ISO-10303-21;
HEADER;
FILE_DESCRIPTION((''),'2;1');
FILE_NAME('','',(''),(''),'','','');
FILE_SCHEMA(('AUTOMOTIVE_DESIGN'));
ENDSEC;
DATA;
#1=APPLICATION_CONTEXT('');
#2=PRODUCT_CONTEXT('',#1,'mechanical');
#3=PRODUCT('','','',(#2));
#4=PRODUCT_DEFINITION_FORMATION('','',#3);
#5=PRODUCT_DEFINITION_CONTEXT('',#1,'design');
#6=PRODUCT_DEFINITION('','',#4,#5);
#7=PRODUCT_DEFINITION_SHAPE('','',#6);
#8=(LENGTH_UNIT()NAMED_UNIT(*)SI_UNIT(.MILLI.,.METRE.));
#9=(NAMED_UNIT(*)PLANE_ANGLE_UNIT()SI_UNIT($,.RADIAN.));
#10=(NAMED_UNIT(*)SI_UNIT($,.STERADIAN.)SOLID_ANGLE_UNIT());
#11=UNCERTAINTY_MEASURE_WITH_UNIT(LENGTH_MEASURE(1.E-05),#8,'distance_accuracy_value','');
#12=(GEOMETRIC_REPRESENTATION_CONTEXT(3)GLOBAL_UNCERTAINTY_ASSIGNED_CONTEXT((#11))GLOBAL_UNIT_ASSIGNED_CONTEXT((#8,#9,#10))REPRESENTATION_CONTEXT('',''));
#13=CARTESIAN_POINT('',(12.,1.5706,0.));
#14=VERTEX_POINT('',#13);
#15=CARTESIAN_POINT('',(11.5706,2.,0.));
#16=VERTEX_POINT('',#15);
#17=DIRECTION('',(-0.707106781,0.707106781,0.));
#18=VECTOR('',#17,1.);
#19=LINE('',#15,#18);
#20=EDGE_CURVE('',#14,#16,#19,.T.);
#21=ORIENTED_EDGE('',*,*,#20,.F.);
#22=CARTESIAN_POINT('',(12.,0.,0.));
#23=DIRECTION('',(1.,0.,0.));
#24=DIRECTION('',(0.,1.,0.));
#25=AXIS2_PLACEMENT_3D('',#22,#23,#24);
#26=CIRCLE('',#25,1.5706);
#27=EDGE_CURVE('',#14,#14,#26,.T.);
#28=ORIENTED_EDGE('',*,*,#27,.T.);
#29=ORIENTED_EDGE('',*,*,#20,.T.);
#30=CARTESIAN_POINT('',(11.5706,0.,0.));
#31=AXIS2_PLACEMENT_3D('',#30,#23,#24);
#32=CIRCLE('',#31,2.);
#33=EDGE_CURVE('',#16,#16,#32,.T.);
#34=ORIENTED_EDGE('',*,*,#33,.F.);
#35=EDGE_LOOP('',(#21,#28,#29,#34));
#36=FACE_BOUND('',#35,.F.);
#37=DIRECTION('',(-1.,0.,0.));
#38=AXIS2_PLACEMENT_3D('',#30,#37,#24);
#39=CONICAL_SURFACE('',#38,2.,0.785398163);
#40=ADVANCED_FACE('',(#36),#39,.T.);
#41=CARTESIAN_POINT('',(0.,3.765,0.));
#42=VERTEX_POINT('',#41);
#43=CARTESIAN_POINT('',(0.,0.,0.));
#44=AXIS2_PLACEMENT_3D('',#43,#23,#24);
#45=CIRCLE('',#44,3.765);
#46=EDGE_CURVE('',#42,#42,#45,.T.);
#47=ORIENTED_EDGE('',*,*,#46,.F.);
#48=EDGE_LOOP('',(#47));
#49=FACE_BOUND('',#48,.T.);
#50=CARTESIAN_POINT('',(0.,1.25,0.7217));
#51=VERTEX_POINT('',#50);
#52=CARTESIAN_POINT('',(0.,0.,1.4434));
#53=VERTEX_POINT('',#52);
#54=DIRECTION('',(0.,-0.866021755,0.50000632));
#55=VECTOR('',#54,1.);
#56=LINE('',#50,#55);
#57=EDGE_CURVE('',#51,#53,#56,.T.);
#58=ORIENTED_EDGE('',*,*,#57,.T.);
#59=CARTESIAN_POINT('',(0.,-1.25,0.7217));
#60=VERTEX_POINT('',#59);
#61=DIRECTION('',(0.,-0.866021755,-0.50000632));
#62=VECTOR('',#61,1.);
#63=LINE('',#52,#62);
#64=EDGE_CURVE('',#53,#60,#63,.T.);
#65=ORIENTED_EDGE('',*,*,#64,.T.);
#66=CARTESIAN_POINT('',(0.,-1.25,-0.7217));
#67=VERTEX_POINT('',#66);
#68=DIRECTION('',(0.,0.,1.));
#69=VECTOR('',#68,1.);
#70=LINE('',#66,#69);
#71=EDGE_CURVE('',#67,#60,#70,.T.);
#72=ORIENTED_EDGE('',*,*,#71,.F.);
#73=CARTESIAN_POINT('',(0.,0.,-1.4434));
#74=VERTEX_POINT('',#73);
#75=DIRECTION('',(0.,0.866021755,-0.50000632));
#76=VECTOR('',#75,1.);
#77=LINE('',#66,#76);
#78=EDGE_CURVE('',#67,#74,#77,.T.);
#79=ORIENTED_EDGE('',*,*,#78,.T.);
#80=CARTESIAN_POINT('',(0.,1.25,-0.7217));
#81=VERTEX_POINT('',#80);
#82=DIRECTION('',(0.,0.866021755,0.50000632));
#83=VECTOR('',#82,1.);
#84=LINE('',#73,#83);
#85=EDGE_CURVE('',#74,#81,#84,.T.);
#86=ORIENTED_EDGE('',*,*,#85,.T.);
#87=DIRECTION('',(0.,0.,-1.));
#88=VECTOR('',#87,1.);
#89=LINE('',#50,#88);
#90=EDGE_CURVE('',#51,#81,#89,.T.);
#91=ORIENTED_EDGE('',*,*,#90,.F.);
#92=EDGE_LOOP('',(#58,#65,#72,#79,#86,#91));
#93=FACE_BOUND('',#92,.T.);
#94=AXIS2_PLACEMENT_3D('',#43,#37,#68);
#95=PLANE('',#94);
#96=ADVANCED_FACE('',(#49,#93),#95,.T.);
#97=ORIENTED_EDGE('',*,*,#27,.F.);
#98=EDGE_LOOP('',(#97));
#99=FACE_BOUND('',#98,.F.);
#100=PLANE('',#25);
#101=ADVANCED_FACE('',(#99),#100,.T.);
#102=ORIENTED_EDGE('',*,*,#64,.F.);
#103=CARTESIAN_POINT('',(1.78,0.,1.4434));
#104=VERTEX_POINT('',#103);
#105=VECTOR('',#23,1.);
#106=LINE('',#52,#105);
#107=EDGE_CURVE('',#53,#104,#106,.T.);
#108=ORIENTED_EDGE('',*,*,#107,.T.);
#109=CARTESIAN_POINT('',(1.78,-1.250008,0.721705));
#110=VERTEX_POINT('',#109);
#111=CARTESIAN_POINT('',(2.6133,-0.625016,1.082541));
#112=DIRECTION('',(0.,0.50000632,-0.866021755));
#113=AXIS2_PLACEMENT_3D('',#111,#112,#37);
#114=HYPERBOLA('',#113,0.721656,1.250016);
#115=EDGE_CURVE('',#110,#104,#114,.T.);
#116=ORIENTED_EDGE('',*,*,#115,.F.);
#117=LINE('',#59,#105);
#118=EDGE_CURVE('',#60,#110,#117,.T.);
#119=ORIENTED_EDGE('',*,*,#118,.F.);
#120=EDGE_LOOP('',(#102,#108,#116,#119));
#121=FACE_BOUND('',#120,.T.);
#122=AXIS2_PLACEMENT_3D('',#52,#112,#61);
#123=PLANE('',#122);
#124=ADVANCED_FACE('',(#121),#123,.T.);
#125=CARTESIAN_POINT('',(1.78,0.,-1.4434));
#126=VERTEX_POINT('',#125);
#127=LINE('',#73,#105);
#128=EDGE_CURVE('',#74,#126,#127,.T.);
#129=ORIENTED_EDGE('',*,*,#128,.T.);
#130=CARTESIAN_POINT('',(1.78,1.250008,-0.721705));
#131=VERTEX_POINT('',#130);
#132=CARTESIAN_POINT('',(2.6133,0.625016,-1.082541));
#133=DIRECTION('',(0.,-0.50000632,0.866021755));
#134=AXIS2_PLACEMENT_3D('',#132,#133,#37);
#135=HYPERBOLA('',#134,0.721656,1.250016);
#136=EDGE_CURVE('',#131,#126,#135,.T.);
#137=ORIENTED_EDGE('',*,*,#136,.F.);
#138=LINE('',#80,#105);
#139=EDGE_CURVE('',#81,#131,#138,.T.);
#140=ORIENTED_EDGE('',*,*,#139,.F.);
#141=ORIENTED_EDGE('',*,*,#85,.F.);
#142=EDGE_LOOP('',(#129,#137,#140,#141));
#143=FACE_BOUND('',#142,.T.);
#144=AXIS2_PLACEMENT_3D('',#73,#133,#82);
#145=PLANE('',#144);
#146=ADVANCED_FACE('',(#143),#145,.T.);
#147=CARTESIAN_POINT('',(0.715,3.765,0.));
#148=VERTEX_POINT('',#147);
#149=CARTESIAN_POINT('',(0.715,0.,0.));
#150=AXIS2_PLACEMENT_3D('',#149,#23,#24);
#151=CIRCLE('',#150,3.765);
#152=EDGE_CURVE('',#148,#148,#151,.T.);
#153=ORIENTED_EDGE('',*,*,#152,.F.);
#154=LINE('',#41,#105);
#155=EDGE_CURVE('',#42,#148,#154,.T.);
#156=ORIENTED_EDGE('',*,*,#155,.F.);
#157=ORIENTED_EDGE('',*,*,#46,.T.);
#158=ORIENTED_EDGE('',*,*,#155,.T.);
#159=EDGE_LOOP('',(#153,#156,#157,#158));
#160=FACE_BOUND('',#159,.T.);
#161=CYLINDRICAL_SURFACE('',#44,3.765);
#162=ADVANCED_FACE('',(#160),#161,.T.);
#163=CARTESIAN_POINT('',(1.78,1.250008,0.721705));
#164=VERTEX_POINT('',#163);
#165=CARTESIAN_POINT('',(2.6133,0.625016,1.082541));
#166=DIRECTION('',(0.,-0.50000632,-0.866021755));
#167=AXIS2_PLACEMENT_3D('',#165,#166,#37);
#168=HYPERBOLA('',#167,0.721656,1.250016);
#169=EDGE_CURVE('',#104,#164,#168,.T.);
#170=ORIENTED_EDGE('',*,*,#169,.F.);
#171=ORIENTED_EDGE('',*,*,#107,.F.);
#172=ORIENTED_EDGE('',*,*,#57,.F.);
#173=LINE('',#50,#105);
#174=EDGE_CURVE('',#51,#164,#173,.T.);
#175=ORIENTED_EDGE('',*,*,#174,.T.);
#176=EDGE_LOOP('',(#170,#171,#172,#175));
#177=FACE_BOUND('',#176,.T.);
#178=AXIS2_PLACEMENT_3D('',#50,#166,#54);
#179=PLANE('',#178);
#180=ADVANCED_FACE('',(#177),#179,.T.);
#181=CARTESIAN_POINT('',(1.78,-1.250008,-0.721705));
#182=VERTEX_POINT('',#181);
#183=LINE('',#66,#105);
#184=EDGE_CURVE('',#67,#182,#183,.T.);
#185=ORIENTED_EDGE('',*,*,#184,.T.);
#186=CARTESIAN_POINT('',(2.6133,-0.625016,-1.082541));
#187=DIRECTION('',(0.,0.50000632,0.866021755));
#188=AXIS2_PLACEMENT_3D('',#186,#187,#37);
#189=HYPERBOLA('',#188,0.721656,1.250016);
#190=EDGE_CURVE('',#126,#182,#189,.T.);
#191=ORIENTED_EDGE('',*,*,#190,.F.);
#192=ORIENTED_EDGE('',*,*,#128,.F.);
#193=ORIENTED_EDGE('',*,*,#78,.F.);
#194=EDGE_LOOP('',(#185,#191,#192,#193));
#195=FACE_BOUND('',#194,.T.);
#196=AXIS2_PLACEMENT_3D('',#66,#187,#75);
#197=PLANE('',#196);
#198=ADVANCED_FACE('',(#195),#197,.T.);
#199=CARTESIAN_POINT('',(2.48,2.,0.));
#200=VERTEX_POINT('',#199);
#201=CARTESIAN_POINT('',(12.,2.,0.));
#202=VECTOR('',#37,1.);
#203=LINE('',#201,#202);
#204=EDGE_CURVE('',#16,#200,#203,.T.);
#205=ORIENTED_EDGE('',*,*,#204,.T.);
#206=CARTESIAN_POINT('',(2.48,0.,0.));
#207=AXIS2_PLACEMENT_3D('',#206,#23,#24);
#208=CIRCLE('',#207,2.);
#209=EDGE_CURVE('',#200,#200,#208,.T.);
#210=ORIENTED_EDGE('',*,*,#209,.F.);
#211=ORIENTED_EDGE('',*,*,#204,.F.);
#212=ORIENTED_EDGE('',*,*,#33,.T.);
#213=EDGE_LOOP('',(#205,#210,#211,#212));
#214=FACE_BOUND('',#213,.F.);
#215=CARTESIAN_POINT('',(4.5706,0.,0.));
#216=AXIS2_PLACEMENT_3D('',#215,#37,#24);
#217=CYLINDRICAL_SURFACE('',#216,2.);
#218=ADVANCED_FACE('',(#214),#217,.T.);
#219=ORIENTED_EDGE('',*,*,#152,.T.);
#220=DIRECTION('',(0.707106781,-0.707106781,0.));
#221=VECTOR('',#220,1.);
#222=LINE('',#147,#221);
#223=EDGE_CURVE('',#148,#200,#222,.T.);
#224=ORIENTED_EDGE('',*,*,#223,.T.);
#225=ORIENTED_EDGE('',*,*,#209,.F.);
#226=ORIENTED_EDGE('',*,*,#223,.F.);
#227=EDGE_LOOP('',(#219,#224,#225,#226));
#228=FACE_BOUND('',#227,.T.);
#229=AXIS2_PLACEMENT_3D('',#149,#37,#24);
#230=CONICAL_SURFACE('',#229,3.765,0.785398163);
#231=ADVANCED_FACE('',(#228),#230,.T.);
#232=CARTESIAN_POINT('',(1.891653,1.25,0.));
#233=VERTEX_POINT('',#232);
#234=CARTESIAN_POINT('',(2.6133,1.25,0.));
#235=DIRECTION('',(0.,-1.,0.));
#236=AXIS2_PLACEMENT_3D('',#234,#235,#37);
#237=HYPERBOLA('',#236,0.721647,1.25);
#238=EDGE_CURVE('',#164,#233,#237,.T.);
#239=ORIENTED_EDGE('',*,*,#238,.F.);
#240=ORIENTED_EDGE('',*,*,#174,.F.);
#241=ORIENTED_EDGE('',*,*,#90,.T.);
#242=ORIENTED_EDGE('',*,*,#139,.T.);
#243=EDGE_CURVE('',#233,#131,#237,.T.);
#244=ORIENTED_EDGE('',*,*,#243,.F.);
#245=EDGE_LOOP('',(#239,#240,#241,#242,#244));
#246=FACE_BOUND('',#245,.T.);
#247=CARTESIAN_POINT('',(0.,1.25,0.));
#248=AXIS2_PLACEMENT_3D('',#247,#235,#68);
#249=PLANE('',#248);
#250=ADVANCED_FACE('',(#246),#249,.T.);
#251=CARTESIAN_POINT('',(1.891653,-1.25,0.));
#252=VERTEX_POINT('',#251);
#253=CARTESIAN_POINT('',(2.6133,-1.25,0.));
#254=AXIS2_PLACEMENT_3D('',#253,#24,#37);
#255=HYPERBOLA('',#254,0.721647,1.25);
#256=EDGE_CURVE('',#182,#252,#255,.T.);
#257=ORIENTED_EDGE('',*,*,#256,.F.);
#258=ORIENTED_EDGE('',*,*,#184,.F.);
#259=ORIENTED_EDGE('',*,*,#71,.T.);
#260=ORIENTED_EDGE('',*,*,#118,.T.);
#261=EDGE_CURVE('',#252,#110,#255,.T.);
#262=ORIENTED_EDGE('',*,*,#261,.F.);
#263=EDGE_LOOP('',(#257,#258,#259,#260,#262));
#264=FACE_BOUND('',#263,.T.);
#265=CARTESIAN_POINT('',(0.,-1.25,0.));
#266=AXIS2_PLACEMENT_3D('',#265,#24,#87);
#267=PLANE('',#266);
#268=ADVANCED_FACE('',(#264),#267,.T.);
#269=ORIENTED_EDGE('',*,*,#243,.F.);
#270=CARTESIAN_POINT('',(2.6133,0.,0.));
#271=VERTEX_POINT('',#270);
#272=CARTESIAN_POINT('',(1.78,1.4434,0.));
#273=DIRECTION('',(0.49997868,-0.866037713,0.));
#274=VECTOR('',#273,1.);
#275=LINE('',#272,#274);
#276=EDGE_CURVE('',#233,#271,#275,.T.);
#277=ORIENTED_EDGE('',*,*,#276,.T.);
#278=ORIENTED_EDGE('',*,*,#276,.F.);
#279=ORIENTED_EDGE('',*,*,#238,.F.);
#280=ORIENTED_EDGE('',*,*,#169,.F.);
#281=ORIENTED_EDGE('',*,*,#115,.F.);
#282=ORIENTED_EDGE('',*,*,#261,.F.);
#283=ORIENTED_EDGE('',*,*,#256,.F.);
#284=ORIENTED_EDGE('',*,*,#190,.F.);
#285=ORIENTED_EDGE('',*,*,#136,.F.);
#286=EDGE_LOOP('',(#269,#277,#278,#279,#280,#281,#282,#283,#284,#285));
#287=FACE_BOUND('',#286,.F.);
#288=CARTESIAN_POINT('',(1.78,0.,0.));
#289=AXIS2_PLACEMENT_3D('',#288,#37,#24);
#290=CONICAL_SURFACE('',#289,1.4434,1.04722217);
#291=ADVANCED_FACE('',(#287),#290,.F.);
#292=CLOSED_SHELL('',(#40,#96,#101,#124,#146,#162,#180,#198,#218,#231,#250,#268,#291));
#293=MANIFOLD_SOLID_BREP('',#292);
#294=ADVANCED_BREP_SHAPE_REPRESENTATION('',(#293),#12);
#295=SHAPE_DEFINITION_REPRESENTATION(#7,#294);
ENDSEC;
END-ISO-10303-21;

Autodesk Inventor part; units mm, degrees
ref_plane "YZ Plane" through (0, 0, 0) normal (1, 0, 0) x (0, 1, 0)
ref_plane "XZ Plane" through (0, 0, 0) normal (0, 1, 0) x (-1, 0, 0)
sketch "Sketch1" plane through (0, 0, 0) normal (0, 0, 1) x (1, 0, 0)
  line L0 (12, 0) -> (12, 2)
  line L1 (12, 2) -> (5, 2)
  line L2 (5, 2) -> (4.5706, 2)
  line L3 (0, 3.765) -> (0, 1.4434)
  line L4 (0, 1.4434) -> (1.78, 1.4434)
  line L5 (1.78, 1.4434) -> (2.6133, 0)
  line L6 (2.6133, 0) -> (12, 0)
  line L7 (0, 3.765) -> (0.715, 3.765)
  line L8 (0.715, 3.765) -> (2.48, 2)
  line L9 (4.5706, 2) -> (2.48, 2)
  line L10 (5, 2) -> (2.48, 2) construction
  line L11 (2.48, 2) -> (2.48, 2)
  line L12 (-2.4, 0) -> (14.4, 0) projected
  line L13 (0, -0.753) -> (0, 4.518) projected
  dimension "d0" = 12
  dimension "d1" = 7
  dimension "d2" = 1.78
  dimension "d3" = 4
  dimension "d6" = 2.48
  dimension "d7" = 45
  dimension "d8" = 2.8868
  dimension "d9" = 60
  dimension "d10" = 7.53
  dimension "d11" = 4
  dimension "d12" = 0.4294
revolve "Body" add sketch "Sketch1" angle 360 about axis through (2.6133, 0, 0) along (1, 0, 0) contours L6 L5 L4 L3 L7 L8 L9 L2 L1 L0
sketch "Sketch2" plane through (0, 0, 0) normal (-1, 0, 0) x (0, 0, 1)
  circle A0 centre (0, 0) radius 1.4434 projected
  line L0 (0, -5.271) -> (0, 5.271) projected
  line L1 (-5.271, 0) -> (5.271, 0) projected
  line L2 (1.4434, 0) -> (0.7217, -1.25)
  line L3 (0.7217, -1.25) -> (-0.7217, -1.25)
  line L4 (-0.7217, -1.25) -> (-1.4434, 0)
  line L5 (-1.4434, 0) -> (-0.7217, 1.25)
  line L6 (-0.7217, 1.25) -> (0.7217, 1.25)
  line L7 (0.7217, 1.25) -> (1.4434, 0)
  point P0 (0, 1.4434)
extrude "Slot" add sketch "Sketch2" against normal up to next contours L7 A0 | A0 L2 | L6 L0 A0 | A0 L0 L3 | L0 L6 A0 | A0 L3 L0 | L4 A0 | A0 L5
thread "Thread" size "M4x0.7" class "6g" standard "ISO Metric profile" length 7
chamfer "Chamfer1" distance 0.4294 distance2 0.4294 1 edges at (12, -2, 0) measured on face at (12, 0.3787, 0.698)
ref_plane "Work Plane1" through (104.775, 0, 0) normal (0, 0, -1) x (1, 0, 0)
equation "\"d15\" = GEL"
equation "\"d17\" = -0.5 * SPD + 0.5 * GD"
equation "\"d18\" = GUL"
equation "\"d0\" = NLG"
equation "\"d1\" = GEL"
equation "\"d2\" = INTI"
equation "\"d3\" = GD"
equation "\"d6\" = KOH"
equation "\"d7\" = 0.5 * SEWI"
equation "\"d8\" = 1.1547 * SW"
equation "\"d10\" = KOD"
equation "\"d11\" = BDM"
equation "\"d12\" = GAL"
equation "\"NLG\" = 12"
equation "\"INTI\" = 1.78"
equation "\"GEL\" = 7"
equation "\"GAL\" = 0.61345 * PTC"
equation "\"KOH\" = 2.48"
equation "\"KOD\" = 7.53"
equation "\"GUL\" = 0.61345 * PTC"
equation "\"SPD\" = NND - 1.2269 * PTC"
equation "\"BDM\" = NND"
equation "\"GD\" = NND"
equation "\"SEWI\" = 90deg"
equation "\"SW\" = 2.5"
equation "\"TOA\" = 30deg"
equation "\"GD1\" = THREADDIA - 1.2269 * PTC"
equation "\"EPV\" = 4.48"
equation "\"THREADDIA\" = 4"
equation "\"PTC\" = 0.7"
equation "\"NND\" = 4"
equation "\"E0\" = 2.89"
equation "\"THREADDESC\" = 1.2345"
properties part number "M4 x  12 - Socket Csk Screw (A2)" material "Stainless Steel"
